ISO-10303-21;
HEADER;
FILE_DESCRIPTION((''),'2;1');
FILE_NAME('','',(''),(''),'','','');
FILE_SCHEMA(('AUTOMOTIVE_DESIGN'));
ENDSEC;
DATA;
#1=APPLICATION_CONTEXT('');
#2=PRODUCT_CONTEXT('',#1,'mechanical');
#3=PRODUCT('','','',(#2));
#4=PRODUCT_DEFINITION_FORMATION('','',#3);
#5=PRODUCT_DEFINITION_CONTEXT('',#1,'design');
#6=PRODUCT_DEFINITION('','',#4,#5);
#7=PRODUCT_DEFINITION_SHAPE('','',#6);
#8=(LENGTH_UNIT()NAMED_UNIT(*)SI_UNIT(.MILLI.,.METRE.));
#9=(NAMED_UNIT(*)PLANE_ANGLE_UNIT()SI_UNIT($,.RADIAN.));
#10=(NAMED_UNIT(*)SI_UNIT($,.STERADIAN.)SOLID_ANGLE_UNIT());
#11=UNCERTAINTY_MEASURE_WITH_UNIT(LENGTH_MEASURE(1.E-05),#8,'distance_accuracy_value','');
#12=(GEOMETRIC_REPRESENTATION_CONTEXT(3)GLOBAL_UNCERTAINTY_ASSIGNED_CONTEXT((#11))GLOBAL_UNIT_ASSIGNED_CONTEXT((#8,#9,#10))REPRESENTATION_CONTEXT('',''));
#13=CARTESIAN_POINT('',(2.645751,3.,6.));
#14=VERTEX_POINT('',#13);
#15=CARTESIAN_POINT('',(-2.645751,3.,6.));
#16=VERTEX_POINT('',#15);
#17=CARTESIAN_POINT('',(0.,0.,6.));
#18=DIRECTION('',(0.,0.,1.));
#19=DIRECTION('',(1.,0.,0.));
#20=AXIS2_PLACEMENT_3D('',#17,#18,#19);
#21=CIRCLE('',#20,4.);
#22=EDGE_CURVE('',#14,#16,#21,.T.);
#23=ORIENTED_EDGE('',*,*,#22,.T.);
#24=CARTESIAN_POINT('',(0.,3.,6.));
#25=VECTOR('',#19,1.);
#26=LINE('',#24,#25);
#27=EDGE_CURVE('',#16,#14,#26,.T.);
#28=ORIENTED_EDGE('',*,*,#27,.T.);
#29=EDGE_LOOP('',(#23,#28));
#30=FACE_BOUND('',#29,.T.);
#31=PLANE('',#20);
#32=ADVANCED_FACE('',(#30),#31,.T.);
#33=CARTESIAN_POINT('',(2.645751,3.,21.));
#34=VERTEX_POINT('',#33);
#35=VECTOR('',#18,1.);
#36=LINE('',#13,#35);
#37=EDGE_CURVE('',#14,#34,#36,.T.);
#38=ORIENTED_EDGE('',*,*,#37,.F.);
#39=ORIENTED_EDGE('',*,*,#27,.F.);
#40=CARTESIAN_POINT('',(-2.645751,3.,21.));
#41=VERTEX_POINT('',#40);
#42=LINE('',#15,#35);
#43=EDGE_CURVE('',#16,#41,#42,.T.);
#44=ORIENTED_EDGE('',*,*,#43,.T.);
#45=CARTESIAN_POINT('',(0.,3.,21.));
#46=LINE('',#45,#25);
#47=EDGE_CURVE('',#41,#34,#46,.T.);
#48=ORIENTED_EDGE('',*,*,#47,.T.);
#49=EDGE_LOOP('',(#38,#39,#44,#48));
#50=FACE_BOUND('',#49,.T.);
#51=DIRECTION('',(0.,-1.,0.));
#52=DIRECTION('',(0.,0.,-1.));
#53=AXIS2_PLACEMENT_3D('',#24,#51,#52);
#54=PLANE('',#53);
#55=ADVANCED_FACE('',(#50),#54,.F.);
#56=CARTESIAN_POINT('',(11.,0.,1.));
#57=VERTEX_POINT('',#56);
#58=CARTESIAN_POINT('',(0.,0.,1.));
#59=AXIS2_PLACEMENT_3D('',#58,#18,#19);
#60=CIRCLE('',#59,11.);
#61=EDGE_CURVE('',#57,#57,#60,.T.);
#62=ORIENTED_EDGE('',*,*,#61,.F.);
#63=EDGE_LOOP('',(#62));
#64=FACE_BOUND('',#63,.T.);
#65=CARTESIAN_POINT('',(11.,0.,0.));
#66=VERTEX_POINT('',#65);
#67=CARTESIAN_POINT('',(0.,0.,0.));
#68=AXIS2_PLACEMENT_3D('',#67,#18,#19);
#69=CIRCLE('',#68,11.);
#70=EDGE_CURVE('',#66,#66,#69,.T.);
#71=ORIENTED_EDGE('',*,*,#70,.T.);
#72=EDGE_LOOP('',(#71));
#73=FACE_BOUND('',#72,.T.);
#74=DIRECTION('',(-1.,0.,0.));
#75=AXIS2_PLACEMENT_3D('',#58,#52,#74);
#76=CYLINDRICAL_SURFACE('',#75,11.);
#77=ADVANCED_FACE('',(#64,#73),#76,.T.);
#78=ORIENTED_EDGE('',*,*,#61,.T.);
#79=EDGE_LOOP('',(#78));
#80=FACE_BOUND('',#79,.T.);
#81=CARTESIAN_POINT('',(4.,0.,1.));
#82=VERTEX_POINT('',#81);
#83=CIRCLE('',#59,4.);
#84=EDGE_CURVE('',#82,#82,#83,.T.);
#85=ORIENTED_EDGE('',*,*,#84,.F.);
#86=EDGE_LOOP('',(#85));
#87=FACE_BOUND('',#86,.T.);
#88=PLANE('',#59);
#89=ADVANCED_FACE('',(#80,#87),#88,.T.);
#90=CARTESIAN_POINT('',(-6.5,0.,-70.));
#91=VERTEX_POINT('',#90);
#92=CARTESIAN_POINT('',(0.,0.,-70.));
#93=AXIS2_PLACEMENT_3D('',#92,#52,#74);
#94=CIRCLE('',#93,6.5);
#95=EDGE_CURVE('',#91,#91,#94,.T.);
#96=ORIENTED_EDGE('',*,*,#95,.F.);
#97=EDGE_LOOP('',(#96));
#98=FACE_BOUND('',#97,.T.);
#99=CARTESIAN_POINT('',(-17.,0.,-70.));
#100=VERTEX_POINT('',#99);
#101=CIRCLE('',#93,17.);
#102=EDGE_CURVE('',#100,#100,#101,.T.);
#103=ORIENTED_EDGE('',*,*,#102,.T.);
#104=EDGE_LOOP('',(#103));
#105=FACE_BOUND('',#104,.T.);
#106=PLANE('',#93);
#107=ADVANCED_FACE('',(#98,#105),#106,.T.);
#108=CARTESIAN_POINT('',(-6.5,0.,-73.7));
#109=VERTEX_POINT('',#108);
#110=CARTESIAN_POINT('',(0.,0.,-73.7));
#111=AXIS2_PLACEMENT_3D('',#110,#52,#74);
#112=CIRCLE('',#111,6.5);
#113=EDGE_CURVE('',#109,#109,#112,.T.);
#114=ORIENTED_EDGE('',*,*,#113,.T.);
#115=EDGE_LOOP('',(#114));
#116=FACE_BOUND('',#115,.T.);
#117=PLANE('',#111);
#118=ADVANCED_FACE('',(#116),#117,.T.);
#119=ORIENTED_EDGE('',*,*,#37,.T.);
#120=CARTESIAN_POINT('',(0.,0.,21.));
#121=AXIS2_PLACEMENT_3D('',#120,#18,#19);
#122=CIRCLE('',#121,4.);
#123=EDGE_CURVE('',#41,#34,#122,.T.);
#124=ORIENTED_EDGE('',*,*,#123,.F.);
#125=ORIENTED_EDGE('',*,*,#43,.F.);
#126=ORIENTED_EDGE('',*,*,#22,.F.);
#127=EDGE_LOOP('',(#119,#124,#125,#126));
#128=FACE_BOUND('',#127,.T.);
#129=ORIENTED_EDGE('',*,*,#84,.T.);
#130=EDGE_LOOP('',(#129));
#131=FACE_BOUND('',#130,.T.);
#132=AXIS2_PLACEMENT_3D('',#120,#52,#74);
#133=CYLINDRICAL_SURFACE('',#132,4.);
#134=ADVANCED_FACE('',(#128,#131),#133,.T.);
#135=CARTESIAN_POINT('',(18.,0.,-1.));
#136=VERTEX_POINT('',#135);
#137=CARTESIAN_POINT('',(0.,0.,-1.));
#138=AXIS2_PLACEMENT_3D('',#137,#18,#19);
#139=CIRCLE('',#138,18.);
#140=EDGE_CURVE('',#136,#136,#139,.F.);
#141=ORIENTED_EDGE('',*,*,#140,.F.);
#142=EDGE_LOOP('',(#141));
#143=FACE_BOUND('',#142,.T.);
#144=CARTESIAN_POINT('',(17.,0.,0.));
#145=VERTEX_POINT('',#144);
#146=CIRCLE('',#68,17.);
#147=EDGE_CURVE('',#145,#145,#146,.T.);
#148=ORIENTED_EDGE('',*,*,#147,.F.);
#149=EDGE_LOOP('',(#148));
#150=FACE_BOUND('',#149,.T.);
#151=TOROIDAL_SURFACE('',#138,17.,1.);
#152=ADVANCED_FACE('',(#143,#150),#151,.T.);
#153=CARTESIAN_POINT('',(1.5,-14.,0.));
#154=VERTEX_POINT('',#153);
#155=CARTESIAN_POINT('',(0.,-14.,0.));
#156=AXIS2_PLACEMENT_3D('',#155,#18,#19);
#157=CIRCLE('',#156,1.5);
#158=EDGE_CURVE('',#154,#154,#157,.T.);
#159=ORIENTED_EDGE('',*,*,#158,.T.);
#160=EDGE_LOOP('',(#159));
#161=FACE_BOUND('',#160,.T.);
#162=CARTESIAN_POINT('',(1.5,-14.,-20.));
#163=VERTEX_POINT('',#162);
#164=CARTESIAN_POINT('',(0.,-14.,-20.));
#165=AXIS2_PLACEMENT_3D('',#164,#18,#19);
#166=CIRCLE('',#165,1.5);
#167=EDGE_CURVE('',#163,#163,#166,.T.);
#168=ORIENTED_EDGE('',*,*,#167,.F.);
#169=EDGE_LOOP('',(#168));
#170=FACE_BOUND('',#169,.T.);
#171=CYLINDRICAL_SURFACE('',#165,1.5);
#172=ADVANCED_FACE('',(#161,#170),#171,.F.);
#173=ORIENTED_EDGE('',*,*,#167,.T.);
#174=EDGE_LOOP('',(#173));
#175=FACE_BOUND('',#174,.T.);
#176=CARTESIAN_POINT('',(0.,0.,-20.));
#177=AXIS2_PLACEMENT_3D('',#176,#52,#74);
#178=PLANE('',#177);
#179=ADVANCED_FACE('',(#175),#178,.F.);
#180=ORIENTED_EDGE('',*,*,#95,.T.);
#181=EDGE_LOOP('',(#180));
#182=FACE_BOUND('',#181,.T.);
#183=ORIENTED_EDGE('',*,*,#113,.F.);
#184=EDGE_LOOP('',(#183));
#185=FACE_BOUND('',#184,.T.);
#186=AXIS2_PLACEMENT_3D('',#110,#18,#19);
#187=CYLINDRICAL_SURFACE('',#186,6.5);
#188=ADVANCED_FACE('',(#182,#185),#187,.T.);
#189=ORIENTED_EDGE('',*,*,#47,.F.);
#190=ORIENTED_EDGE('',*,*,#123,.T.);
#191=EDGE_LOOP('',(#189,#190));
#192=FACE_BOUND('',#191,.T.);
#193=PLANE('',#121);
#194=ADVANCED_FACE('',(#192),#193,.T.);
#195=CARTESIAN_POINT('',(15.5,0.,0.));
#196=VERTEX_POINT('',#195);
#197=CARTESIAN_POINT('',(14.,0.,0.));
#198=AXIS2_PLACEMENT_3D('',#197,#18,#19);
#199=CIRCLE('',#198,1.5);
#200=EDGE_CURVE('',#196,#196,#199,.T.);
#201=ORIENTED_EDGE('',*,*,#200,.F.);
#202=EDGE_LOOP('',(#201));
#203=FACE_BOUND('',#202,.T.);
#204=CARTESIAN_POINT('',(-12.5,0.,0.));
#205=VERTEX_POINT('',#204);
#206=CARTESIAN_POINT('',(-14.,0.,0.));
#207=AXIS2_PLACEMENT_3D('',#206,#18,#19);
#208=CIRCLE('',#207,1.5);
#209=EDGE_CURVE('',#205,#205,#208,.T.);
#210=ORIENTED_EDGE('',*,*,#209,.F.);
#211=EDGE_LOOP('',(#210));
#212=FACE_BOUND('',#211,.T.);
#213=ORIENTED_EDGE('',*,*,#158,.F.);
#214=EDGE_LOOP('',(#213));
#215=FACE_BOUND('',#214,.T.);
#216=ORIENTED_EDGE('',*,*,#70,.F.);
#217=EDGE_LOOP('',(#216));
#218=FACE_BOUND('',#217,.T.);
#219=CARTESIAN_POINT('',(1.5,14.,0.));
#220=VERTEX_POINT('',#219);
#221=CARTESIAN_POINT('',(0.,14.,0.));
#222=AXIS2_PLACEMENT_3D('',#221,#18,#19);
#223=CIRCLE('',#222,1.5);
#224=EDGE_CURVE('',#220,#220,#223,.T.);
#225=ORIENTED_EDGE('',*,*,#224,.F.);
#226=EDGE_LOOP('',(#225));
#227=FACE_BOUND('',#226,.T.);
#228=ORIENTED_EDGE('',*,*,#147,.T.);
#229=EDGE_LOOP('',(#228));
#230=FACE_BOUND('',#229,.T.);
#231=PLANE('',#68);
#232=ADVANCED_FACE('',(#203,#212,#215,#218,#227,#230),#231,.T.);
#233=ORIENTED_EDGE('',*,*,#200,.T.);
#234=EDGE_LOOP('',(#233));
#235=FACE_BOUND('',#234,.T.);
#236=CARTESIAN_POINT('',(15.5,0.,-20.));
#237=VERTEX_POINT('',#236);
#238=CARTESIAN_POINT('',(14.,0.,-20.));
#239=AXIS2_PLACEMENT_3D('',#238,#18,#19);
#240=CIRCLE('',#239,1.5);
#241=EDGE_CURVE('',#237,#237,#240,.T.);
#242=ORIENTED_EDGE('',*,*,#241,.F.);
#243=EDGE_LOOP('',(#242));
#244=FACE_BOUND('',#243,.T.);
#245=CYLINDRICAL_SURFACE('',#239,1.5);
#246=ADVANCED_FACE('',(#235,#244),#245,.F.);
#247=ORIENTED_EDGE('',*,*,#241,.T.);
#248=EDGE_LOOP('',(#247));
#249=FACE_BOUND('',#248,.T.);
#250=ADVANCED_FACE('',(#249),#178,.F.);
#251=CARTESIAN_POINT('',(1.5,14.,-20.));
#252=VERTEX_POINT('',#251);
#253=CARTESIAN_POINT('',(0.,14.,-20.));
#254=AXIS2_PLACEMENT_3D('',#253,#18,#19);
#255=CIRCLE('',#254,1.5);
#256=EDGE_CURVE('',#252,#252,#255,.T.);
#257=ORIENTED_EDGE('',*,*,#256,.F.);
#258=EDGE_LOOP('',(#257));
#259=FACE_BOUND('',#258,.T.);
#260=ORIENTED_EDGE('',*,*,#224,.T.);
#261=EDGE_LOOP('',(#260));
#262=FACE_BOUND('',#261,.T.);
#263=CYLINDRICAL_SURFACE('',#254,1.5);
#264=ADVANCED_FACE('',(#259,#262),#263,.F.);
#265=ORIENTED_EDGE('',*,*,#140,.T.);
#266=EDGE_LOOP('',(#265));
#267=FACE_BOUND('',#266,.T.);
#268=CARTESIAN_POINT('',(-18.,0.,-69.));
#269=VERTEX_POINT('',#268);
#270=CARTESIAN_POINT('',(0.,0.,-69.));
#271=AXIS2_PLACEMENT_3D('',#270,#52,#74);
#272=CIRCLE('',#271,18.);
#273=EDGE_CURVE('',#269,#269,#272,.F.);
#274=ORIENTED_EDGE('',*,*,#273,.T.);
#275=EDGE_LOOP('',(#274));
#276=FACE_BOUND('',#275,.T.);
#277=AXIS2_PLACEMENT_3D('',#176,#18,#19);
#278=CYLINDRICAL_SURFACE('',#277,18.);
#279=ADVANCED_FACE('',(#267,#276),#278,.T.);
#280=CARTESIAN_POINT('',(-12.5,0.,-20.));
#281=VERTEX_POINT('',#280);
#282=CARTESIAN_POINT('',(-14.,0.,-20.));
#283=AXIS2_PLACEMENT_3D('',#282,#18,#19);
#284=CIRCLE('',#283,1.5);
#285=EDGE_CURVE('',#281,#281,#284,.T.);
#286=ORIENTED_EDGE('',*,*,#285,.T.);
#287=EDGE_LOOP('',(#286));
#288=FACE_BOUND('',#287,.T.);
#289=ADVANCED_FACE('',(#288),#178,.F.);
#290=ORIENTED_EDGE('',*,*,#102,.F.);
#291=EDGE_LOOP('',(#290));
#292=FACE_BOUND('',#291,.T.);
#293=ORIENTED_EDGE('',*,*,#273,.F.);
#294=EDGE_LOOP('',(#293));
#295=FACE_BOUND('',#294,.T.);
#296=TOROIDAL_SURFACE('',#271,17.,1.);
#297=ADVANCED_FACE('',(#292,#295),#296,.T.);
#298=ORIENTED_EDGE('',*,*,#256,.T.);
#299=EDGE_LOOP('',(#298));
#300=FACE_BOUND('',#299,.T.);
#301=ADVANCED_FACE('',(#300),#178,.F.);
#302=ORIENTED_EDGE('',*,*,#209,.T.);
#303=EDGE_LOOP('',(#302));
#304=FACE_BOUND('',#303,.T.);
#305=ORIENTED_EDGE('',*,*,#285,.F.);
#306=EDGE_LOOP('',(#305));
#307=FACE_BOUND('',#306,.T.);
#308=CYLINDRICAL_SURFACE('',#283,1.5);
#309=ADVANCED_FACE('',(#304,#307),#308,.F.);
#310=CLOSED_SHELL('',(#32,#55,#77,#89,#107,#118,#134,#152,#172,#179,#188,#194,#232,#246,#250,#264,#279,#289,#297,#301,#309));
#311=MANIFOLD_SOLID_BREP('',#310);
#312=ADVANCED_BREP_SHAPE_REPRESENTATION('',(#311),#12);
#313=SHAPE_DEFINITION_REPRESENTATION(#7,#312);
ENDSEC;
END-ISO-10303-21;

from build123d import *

# Parameters (mm, degrees)
SKETCH1_R           = 18
SKETCH1_R_2         = 1.5
GEAR_DEPTH          = 20
SKETCH2_R           = 18
MOTOR_DEPTH         = 50
SKETCH3_R           = 6.5
BOSS_EXTRUDE3_DEPTH = 3.7
SKETCH4_R           = 11
BOSS_EXTRUDE4_DEPTH = 1
SKETCH5_R           = 4
SHAFT_DEPTH         = 20
CUT_EXTRUDE1_DEPTH  = 15
FILLET1_R           = 1


with BuildPart() as part:
    # Sketch1 → Gear (new body)
    with BuildSketch(Plane.XY):
        Circle(SKETCH1_R)
        with Locations((0, 14)):
            Circle(SKETCH1_R_2, mode=Mode.SUBTRACT)
        with Locations((14, 0)):
            Circle(SKETCH1_R_2, mode=Mode.SUBTRACT)
        with Locations((0, -14)):
            Circle(SKETCH1_R_2, mode=Mode.SUBTRACT)
        with Locations((-14, 0)):
            Circle(SKETCH1_R_2, mode=Mode.SUBTRACT)
    extrude(amount=-GEAR_DEPTH)

    # Sketch2 → Motor (add)
    with BuildSketch(Plane(origin=(0, 0, -20), x_dir=(-1, 0, 0), z_dir=(0, 0, -1))):
        with Locations(Location((0, 0, 0), (0, 0, 180))):
            Circle(SKETCH2_R)
    extrude(amount=MOTOR_DEPTH)

    # Sketch3 → Boss-Extrude3 (add)
    with BuildSketch(Plane(origin=(0, 0, -70), x_dir=(-1, 0, 0), z_dir=(0, 0, -1))):
        Circle(SKETCH3_R)
    extrude(amount=BOSS_EXTRUDE3_DEPTH)

    # Sketch4 → Boss-Extrude4 (add)
    with BuildSketch(Plane.XY):
        Circle(SKETCH4_R)
    extrude(amount=BOSS_EXTRUDE4_DEPTH)

    # Sketch5 → shaft (add)
    with BuildSketch(Plane.XY.offset(1)):
        Circle(SKETCH5_R)
    extrude(amount=SHAFT_DEPTH)

    # Sketch6 → Cut-Extrude1 (cut)
    with BuildSketch(Plane.XY.offset(21)):
        Polygon((-71.543868334, 3), (-2.645751311, 3), (2.645751311, 3), (71.543868334, 3), (71.543868334, 140.796234045), (-71.543868334, 140.796234045), align=None)
    extrude(amount=-CUT_EXTRUDE1_DEPTH, mode=Mode.SUBTRACT)

    # Fillet1
    fillet1_edges = [part.edges().sort_by_distance(p)[0] for p in [
        (-18, 0, 0),
        (-18, 0, -70),
    ]]
    fillet(fillet1_edges, radius=FILLET1_R)


solid = part.part
